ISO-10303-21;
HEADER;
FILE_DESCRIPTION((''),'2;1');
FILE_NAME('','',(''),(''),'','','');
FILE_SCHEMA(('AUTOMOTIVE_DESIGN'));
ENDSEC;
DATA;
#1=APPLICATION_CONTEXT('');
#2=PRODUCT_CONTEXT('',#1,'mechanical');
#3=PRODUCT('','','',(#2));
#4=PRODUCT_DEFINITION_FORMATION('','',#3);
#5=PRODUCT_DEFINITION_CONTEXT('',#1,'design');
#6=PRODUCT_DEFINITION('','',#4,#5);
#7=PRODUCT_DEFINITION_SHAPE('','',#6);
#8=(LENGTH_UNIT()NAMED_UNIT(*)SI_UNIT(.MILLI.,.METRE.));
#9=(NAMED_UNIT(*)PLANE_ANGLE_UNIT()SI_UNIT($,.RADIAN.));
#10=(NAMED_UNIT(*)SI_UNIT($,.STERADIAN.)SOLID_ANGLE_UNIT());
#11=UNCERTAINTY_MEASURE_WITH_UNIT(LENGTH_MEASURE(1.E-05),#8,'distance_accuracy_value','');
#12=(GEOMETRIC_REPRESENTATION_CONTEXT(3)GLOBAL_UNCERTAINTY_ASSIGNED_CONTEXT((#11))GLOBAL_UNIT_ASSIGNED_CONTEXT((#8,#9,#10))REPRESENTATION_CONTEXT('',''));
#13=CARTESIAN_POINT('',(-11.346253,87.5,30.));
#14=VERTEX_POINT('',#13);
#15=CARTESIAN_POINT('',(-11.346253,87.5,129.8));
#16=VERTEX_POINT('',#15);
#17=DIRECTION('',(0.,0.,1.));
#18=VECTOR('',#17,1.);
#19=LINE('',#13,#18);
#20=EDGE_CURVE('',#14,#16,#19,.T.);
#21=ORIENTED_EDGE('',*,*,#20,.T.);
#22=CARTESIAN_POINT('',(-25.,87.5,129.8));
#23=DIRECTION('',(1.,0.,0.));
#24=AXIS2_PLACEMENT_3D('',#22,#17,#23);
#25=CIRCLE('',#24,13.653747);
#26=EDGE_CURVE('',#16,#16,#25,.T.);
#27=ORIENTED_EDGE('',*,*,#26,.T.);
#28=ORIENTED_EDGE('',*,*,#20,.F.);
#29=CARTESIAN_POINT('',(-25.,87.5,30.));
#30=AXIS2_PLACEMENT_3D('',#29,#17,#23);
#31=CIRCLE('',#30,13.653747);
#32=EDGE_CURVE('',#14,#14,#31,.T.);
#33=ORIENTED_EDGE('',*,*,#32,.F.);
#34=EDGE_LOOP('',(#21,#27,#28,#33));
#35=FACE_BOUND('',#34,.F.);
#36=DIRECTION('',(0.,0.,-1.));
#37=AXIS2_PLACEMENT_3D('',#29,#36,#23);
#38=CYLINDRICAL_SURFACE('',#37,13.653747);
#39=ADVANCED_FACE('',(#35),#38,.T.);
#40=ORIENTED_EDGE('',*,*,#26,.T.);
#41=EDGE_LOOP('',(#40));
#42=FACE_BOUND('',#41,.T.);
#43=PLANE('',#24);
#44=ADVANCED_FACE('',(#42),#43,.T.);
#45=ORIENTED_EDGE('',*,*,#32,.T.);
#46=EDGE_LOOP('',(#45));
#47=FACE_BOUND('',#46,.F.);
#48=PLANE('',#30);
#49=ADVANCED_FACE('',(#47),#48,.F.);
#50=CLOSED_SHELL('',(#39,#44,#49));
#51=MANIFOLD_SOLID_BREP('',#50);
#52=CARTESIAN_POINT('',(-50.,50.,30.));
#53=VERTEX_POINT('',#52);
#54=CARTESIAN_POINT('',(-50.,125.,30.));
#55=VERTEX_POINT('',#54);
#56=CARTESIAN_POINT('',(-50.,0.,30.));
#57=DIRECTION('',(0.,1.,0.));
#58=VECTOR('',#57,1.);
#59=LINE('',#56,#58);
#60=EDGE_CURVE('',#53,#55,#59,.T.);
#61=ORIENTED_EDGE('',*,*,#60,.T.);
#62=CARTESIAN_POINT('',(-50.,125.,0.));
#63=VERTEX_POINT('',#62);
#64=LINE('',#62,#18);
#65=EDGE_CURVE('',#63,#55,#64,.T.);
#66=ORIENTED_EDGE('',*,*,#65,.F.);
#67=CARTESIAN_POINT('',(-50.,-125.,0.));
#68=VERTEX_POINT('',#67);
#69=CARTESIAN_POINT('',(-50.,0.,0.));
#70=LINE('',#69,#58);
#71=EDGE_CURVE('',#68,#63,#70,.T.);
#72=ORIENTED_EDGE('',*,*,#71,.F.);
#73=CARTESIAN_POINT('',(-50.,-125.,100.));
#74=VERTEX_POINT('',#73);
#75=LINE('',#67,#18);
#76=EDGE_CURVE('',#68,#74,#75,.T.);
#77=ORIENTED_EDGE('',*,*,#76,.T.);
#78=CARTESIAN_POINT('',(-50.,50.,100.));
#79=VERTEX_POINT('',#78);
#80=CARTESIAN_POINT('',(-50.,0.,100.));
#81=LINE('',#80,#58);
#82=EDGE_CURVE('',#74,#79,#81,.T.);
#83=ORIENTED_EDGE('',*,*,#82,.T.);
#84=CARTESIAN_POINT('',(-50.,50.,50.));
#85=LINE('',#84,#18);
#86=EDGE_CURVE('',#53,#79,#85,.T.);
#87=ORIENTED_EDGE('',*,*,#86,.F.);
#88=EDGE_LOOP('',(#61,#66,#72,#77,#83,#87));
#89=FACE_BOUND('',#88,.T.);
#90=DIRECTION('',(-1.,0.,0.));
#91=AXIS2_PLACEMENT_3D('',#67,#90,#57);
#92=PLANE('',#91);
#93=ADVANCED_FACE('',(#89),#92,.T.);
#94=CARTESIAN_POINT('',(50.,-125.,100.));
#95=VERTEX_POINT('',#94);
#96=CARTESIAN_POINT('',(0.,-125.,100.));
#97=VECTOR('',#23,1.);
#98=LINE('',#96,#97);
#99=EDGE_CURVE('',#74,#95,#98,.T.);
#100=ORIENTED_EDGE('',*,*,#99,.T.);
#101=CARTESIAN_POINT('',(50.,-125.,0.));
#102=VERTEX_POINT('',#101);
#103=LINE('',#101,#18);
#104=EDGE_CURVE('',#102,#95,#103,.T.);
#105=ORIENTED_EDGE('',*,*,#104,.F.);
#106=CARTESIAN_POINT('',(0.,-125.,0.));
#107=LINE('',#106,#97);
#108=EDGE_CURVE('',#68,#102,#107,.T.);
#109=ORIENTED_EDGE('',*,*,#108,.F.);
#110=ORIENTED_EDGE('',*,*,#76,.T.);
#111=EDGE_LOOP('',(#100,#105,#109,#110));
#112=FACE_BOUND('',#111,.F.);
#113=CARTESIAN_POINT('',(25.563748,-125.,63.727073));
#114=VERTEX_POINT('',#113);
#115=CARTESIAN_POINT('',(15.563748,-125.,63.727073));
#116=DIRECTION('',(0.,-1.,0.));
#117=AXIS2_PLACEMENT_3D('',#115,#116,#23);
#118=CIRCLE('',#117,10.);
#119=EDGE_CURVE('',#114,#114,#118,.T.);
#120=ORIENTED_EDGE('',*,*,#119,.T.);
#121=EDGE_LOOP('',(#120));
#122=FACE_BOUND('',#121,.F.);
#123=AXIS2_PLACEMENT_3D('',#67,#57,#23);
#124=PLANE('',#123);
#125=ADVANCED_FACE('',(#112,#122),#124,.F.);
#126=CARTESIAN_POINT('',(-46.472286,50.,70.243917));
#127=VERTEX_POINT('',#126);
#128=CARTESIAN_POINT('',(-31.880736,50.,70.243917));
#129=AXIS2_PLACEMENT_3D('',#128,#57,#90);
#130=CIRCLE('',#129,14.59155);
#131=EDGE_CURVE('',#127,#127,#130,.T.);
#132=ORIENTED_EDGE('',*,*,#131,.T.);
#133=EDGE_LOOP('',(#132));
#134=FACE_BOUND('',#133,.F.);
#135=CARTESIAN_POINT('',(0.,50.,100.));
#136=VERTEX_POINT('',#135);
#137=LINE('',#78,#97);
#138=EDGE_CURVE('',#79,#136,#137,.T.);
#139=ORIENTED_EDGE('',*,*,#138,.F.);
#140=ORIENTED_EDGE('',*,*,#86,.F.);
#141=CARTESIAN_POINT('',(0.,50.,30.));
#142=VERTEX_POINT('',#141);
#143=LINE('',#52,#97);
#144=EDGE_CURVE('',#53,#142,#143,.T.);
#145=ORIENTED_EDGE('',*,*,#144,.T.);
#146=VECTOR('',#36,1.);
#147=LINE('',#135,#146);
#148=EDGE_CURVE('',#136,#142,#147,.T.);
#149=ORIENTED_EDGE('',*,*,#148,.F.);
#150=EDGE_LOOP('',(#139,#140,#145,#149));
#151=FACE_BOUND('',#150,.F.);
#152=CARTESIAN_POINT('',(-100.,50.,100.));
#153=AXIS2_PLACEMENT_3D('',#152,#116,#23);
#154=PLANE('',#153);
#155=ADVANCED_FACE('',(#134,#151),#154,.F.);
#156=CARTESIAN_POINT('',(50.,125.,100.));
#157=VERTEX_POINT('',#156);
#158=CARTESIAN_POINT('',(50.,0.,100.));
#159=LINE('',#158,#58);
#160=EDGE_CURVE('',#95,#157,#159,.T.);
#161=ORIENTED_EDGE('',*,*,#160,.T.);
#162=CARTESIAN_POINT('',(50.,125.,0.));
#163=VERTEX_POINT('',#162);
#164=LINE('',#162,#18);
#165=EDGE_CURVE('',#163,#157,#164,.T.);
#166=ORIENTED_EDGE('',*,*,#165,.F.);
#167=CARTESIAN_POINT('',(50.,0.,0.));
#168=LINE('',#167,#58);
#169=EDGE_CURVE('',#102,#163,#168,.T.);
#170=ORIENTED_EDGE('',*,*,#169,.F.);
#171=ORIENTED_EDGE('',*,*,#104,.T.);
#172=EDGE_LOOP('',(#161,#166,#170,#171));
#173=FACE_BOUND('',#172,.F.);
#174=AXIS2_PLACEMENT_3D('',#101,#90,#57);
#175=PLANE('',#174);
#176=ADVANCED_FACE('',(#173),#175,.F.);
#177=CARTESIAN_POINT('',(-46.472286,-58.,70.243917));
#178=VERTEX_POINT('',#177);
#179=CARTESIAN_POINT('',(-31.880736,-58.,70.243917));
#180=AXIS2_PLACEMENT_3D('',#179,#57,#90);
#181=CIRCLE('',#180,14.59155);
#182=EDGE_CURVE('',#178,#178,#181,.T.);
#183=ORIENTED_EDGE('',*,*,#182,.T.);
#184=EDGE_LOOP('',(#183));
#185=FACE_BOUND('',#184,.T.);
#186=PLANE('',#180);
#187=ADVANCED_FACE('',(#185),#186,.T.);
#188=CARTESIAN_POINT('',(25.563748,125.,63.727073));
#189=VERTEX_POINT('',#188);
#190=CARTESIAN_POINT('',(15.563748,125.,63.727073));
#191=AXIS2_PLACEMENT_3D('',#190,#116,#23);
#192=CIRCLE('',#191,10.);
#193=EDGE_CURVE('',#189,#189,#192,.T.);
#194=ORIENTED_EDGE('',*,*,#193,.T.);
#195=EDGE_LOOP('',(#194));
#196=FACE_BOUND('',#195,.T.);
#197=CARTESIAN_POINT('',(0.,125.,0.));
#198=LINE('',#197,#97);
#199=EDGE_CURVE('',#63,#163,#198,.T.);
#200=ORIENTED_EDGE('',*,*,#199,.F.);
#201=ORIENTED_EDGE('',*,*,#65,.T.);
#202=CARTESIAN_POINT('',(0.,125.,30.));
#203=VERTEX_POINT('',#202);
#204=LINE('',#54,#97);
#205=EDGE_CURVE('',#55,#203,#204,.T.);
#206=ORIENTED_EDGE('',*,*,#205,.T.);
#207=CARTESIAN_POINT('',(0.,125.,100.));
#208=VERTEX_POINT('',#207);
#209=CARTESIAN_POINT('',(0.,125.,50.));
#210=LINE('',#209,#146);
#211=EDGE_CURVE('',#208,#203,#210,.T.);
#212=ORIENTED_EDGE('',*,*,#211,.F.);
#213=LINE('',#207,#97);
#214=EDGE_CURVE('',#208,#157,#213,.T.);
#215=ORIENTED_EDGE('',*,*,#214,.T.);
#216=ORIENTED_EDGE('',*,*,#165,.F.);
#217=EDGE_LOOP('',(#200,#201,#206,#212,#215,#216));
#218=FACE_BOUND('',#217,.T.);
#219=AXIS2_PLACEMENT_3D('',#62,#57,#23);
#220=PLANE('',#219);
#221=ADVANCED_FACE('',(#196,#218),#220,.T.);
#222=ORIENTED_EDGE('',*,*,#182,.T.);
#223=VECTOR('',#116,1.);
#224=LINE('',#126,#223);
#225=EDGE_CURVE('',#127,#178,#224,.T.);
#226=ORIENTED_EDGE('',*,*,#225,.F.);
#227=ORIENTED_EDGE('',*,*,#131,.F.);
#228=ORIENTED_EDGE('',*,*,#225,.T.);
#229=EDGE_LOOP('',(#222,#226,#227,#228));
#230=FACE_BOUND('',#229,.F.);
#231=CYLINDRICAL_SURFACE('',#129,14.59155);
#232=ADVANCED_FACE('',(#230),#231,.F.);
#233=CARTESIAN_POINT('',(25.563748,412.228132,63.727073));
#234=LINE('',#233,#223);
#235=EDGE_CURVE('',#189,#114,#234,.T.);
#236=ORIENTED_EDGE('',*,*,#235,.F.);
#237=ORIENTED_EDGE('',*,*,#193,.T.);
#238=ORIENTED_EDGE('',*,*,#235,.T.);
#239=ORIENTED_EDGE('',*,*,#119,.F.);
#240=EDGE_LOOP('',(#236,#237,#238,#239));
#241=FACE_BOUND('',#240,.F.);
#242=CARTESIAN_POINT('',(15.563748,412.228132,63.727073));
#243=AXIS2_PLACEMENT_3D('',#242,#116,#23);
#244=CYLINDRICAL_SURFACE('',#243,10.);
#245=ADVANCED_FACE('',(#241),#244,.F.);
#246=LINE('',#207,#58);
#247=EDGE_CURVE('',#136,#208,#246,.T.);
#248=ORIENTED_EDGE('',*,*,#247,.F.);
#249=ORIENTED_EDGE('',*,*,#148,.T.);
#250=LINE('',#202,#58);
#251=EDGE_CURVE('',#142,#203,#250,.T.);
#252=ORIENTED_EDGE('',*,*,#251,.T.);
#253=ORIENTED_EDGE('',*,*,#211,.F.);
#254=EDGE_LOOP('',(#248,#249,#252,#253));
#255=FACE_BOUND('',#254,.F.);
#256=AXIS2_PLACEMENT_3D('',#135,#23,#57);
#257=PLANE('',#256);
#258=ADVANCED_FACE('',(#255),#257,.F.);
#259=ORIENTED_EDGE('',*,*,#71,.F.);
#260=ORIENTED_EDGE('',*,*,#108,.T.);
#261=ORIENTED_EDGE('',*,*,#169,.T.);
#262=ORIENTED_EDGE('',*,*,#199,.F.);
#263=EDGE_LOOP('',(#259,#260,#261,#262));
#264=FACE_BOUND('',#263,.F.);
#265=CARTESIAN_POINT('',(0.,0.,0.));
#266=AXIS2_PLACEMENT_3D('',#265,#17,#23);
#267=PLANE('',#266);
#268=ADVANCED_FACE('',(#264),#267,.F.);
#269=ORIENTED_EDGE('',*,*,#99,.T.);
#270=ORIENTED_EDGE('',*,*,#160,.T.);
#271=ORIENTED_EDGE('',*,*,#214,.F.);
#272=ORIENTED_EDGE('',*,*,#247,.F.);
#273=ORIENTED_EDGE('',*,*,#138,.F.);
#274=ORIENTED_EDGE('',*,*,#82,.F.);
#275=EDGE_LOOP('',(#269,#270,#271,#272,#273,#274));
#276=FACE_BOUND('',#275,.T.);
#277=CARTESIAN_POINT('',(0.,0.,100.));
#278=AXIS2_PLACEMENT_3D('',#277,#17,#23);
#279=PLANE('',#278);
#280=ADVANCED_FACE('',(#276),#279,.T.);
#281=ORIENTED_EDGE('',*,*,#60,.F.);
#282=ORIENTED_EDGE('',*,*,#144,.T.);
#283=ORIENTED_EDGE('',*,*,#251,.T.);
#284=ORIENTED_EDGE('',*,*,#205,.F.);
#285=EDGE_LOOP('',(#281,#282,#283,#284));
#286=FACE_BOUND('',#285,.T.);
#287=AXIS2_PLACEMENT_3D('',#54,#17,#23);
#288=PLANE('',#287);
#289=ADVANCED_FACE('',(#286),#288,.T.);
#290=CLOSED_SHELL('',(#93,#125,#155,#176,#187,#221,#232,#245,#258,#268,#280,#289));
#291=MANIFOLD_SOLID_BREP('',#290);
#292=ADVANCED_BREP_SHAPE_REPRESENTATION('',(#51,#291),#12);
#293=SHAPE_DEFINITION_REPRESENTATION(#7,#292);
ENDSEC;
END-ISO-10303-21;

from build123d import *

# Parameters (mm, degrees)
F0_W     = 100
F0_H     = 250
F1_DEPTH = 100
F2_W     = 100
F2_H     = 150
F3_DEPTH = 70
F4_R     = 14.59155
F5_DEPTH = 108
F7_D     = 20
F8_R     = 13.653747
F9_DEPTH = 99.8


with BuildPart() as f1:
    # F0 (on Top) → F1 (new body)
    with BuildSketch(Plane.XY):
        Rectangle(F0_W, F0_H)
    extrude(amount=F1_DEPTH)

    # F2 (on face) → F3 (cut)
    with BuildSketch(Plane.XY.offset(100)):
        with Locations((-50, 125)):
            Rectangle(F2_W, F2_H)
    extrude(amount=-F3_DEPTH, mode=Mode.SUBTRACT)

    # F4 (on face) → F5 (cut)
    with BuildSketch(Plane(origin=(0, 50, 0), x_dir=(-1, 0, 0), z_dir=(0, 1, 0))):
        with Locations((31.880736, 70.243917)):
            Circle(F4_R)
    extrude(amount=-F5_DEPTH, mode=Mode.SUBTRACT)

    # F7 (through all)
    with Locations(Plane(origin=(0, 125, 0), x_dir=(-1, 0, 0), z_dir=(0, 1, 0))):
        with Locations((-15.563748, 63.727073)):
            Hole(F7_D / 2)


with BuildPart() as f9:
    # F8 (on face) → F9 (new body)
    with BuildSketch(Plane.XY.offset(30)):
        with Locations((-25, 87.5)):
            Circle(F8_R)
    extrude(amount=F9_DEPTH)


solid = Compound([f1.part, f9.part])
